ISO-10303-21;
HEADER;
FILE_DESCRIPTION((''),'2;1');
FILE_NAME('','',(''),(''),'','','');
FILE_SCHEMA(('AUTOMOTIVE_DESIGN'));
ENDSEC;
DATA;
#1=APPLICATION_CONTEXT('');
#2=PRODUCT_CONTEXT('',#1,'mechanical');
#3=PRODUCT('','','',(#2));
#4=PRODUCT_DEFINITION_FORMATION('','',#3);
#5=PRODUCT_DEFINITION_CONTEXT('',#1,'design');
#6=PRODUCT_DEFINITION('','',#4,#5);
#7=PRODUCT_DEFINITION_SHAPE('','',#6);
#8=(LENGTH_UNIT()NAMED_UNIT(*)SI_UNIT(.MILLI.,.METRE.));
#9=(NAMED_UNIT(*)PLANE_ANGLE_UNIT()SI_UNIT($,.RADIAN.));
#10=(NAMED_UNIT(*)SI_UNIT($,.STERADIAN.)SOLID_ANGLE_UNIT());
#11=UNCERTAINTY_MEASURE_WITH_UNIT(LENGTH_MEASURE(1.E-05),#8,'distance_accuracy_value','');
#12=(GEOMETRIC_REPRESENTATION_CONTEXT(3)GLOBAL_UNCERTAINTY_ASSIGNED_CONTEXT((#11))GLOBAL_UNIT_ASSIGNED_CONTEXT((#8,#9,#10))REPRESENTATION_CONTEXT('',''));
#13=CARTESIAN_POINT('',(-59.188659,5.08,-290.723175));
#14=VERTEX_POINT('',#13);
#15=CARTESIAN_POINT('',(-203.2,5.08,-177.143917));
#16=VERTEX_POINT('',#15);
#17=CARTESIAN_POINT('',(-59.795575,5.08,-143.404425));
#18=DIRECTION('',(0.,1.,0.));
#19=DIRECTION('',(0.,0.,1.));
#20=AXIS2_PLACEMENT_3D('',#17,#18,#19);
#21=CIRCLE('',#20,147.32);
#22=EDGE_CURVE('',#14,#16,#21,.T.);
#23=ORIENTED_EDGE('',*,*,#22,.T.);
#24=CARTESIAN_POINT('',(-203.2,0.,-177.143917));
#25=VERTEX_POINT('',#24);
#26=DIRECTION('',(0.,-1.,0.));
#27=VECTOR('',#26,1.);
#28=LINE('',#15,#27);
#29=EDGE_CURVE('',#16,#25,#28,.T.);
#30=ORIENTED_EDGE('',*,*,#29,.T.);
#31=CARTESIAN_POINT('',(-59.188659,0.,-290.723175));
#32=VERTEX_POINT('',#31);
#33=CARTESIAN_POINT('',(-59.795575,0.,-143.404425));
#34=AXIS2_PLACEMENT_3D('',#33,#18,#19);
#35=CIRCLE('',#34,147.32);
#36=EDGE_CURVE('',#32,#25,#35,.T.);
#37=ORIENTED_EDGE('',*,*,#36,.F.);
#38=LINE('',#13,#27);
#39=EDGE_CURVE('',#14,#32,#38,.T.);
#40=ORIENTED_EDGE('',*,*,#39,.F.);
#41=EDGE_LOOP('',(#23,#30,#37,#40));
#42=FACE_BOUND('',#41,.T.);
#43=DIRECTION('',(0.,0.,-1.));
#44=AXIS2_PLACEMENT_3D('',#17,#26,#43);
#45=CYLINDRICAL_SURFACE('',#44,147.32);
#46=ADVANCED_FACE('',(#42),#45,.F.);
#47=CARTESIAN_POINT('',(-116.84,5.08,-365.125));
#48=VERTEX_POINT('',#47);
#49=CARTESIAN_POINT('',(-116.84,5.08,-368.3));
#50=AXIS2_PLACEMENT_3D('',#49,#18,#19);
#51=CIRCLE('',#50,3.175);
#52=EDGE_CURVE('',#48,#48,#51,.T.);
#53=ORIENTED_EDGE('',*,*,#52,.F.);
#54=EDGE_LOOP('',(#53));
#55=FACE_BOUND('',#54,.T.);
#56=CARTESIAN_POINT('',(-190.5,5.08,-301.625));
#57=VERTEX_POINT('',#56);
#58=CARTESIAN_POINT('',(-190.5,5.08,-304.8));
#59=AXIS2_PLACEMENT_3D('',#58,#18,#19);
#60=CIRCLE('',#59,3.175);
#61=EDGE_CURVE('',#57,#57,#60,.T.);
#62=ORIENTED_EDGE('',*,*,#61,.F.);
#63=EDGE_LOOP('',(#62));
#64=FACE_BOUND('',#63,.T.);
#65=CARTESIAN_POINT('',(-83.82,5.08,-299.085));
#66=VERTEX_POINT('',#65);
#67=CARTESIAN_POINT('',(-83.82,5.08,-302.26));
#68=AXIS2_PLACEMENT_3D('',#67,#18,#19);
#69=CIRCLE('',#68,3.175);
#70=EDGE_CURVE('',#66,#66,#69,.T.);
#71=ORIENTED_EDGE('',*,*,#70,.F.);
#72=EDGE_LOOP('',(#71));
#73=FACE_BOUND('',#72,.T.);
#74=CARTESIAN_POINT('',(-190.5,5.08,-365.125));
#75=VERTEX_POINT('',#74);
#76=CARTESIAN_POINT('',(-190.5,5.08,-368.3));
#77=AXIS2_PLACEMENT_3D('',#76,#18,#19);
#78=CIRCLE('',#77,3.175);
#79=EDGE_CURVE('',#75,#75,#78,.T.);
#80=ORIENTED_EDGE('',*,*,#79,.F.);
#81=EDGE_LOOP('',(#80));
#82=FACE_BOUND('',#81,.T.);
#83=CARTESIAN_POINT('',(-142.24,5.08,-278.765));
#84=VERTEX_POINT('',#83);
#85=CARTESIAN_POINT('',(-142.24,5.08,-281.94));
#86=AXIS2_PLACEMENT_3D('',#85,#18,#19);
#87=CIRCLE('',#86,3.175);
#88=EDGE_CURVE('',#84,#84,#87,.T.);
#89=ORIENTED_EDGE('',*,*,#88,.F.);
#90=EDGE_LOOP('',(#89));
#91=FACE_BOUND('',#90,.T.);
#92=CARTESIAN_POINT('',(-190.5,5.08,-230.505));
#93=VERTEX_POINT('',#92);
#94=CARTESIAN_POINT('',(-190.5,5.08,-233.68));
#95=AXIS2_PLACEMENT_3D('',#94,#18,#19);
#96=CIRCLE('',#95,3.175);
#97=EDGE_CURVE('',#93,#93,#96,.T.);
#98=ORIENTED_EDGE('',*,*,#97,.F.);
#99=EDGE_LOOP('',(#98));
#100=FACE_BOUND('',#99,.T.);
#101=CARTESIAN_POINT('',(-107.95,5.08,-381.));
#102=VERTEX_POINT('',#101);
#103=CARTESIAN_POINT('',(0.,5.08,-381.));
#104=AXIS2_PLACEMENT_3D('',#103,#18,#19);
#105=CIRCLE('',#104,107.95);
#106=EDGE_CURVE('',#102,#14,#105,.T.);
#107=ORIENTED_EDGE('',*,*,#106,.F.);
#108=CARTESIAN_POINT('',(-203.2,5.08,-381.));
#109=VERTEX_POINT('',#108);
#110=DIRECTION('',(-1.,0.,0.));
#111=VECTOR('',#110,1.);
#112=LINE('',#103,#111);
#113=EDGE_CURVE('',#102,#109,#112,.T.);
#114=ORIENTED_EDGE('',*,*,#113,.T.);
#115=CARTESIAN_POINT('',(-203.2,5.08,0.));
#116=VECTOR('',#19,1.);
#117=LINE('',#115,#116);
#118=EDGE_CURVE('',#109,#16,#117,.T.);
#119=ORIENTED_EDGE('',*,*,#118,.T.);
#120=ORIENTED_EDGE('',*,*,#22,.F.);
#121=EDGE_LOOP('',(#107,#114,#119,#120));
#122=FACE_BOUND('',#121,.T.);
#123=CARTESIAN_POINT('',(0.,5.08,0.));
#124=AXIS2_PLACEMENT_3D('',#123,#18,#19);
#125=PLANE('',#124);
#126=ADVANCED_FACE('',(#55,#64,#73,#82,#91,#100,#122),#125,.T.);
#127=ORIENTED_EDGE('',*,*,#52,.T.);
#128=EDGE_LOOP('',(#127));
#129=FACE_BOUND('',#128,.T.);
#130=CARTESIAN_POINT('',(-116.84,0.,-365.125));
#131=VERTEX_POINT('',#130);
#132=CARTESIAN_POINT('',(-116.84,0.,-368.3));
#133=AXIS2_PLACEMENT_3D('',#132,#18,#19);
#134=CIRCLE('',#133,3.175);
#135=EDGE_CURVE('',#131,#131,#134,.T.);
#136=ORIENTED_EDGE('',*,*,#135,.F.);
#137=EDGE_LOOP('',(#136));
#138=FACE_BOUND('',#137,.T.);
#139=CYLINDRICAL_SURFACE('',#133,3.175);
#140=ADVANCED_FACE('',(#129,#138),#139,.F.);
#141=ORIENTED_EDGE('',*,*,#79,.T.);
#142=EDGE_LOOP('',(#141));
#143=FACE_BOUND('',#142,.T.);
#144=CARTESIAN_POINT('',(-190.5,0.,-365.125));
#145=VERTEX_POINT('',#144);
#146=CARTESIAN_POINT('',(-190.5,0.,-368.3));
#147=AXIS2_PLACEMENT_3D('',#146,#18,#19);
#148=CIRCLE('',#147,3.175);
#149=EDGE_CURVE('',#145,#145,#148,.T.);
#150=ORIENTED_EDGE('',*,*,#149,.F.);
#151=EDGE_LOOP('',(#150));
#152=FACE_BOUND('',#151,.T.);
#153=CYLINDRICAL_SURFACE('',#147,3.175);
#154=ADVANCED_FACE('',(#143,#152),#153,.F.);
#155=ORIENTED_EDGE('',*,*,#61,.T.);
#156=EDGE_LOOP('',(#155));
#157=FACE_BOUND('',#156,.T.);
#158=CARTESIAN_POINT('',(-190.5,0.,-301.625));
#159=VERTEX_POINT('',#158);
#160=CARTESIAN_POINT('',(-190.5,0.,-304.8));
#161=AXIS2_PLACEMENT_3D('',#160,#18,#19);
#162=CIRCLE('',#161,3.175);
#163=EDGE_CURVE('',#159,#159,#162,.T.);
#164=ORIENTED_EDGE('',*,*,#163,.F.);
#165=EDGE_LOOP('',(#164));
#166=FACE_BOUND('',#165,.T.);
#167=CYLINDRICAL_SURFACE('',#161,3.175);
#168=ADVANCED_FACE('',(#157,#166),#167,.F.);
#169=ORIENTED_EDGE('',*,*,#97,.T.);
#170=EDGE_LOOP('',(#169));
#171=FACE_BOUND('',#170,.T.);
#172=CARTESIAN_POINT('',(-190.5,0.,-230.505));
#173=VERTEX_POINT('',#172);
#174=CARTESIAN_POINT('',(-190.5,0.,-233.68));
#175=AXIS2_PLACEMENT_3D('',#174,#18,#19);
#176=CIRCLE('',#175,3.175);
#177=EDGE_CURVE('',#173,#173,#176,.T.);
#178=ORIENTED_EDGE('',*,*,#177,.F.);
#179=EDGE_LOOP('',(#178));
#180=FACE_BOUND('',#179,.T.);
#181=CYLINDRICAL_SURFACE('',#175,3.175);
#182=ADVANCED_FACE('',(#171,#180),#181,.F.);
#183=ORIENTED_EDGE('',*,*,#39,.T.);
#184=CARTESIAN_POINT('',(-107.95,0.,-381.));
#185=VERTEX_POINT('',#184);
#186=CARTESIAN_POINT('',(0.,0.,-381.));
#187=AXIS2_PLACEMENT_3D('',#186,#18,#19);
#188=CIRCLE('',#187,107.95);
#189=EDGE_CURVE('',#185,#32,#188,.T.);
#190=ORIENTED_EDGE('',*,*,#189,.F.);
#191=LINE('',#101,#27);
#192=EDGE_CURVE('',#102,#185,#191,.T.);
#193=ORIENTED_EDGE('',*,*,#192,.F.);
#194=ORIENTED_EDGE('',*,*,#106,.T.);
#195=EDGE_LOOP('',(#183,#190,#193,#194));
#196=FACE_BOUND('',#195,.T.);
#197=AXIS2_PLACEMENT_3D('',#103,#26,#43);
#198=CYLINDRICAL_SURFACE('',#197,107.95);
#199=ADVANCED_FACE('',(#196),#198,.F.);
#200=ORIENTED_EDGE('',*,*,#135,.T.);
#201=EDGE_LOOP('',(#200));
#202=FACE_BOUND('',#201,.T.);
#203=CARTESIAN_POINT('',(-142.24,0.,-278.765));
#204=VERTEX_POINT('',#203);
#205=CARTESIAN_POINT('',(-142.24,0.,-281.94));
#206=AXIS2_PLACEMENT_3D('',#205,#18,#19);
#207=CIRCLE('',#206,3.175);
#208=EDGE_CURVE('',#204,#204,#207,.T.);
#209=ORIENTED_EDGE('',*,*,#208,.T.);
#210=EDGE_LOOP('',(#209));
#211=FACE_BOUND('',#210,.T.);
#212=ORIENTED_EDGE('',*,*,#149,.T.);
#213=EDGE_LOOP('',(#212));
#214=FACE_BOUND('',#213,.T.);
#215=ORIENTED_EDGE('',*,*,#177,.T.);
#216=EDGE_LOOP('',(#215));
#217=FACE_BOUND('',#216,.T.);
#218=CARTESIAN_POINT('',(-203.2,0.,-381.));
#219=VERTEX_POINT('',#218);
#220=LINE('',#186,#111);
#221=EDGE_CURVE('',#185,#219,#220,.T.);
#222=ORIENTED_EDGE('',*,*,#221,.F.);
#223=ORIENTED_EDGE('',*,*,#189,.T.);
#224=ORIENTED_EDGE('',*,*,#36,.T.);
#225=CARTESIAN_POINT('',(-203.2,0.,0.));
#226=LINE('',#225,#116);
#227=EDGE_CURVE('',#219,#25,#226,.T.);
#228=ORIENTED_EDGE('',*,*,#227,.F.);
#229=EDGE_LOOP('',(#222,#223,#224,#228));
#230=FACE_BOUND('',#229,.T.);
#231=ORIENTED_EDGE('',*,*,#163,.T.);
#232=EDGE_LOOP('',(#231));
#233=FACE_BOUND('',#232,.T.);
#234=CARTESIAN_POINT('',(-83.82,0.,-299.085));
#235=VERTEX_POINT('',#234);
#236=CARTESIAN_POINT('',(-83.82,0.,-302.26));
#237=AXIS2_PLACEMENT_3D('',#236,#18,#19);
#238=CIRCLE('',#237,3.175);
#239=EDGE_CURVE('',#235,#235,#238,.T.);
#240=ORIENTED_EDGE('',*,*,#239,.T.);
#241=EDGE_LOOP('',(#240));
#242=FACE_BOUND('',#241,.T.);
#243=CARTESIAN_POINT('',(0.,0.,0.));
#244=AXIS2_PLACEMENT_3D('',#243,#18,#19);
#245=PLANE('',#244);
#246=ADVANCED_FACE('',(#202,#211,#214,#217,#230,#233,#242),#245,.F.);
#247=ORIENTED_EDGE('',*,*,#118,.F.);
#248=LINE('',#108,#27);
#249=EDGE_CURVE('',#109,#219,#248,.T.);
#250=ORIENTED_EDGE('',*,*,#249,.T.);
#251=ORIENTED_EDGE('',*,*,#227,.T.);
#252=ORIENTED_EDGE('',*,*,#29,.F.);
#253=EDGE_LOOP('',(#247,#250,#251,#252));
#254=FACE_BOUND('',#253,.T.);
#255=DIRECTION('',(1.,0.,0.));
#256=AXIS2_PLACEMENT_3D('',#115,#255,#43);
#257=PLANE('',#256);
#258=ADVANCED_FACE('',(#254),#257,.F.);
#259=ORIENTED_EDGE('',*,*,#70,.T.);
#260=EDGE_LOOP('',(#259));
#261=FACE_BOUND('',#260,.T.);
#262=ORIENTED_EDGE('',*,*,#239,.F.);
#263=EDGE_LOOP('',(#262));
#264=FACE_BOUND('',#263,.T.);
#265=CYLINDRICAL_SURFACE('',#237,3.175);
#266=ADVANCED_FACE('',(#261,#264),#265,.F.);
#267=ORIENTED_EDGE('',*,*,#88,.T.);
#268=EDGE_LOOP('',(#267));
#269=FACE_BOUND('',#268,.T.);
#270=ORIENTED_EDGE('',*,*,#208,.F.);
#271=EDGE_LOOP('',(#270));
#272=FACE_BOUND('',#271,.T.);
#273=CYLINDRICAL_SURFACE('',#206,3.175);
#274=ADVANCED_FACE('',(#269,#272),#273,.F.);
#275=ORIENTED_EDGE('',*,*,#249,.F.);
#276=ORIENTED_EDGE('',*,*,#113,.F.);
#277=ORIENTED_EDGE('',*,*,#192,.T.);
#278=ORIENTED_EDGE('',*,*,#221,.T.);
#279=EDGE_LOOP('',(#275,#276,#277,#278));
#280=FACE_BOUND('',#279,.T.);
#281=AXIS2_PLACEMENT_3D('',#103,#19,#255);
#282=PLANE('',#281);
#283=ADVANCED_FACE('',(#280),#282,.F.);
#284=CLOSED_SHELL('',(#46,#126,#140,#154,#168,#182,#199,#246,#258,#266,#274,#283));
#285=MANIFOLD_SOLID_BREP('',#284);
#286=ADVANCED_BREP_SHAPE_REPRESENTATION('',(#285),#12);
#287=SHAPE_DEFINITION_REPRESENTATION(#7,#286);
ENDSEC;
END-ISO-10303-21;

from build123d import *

# Parameters (mm, degrees)
BOSS_EXTRUDE1_DEPTH = 5.08
SKETCH2_R           = 3.175
CUT_EXTRUDE1_DEPTH  = 5.08


with BuildPart() as part:
    # Sketch1 → Boss-Extrude1 (new body)
    with BuildSketch(Plane(origin=(0, 0, 0), x_dir=(1, 0, 0), z_dir=(0, 1, 0))):
        with BuildLine():
            Line((-203.2, 381), (-203.2, 177.143917216))
            ThreePointArc((-203.2, 177.143917216), (-151.025197649, 259.077837422), (-59.18865855, 290.723174629))
            ThreePointArc((-59.18865855, 290.723174629), (-94.980572199, 329.698017536), (-107.95, 381))
            Line((-107.95, 381), (-203.2, 381))
        make_face()
    extrude(amount=BOSS_EXTRUDE1_DEPTH)

    # Sketch2 → Cut-Extrude1 (cut)
    with BuildSketch(Plane(origin=(0, 5.08, 0), x_dir=(1, 0, 0), z_dir=(0, 1, 0))):
        with Locations(Location((-190.5, 233.68, 0), (0, 0, 270))):
            Circle(SKETCH2_R)
        with Locations(Location((-83.82, 302.26, 0), (0, 0, 270))):
            Circle(SKETCH2_R)
        with Locations(Location((-116.84, 368.3, 0), (0, 0, 270))):
            Circle(SKETCH2_R)
        with Locations(Location((-190.5, 368.3, 0), (0, 0, 270))):
            Circle(SKETCH2_R)
        with Locations(Location((-142.24, 281.94, 0), (0, 0, 270))):
            Circle(SKETCH2_R)
        with Locations(Location((-190.5, 304.8, 0), (0, 0, 270))):
            Circle(SKETCH2_R)
    extrude(amount=-CUT_EXTRUDE1_DEPTH, mode=Mode.SUBTRACT)


solid = part.part
